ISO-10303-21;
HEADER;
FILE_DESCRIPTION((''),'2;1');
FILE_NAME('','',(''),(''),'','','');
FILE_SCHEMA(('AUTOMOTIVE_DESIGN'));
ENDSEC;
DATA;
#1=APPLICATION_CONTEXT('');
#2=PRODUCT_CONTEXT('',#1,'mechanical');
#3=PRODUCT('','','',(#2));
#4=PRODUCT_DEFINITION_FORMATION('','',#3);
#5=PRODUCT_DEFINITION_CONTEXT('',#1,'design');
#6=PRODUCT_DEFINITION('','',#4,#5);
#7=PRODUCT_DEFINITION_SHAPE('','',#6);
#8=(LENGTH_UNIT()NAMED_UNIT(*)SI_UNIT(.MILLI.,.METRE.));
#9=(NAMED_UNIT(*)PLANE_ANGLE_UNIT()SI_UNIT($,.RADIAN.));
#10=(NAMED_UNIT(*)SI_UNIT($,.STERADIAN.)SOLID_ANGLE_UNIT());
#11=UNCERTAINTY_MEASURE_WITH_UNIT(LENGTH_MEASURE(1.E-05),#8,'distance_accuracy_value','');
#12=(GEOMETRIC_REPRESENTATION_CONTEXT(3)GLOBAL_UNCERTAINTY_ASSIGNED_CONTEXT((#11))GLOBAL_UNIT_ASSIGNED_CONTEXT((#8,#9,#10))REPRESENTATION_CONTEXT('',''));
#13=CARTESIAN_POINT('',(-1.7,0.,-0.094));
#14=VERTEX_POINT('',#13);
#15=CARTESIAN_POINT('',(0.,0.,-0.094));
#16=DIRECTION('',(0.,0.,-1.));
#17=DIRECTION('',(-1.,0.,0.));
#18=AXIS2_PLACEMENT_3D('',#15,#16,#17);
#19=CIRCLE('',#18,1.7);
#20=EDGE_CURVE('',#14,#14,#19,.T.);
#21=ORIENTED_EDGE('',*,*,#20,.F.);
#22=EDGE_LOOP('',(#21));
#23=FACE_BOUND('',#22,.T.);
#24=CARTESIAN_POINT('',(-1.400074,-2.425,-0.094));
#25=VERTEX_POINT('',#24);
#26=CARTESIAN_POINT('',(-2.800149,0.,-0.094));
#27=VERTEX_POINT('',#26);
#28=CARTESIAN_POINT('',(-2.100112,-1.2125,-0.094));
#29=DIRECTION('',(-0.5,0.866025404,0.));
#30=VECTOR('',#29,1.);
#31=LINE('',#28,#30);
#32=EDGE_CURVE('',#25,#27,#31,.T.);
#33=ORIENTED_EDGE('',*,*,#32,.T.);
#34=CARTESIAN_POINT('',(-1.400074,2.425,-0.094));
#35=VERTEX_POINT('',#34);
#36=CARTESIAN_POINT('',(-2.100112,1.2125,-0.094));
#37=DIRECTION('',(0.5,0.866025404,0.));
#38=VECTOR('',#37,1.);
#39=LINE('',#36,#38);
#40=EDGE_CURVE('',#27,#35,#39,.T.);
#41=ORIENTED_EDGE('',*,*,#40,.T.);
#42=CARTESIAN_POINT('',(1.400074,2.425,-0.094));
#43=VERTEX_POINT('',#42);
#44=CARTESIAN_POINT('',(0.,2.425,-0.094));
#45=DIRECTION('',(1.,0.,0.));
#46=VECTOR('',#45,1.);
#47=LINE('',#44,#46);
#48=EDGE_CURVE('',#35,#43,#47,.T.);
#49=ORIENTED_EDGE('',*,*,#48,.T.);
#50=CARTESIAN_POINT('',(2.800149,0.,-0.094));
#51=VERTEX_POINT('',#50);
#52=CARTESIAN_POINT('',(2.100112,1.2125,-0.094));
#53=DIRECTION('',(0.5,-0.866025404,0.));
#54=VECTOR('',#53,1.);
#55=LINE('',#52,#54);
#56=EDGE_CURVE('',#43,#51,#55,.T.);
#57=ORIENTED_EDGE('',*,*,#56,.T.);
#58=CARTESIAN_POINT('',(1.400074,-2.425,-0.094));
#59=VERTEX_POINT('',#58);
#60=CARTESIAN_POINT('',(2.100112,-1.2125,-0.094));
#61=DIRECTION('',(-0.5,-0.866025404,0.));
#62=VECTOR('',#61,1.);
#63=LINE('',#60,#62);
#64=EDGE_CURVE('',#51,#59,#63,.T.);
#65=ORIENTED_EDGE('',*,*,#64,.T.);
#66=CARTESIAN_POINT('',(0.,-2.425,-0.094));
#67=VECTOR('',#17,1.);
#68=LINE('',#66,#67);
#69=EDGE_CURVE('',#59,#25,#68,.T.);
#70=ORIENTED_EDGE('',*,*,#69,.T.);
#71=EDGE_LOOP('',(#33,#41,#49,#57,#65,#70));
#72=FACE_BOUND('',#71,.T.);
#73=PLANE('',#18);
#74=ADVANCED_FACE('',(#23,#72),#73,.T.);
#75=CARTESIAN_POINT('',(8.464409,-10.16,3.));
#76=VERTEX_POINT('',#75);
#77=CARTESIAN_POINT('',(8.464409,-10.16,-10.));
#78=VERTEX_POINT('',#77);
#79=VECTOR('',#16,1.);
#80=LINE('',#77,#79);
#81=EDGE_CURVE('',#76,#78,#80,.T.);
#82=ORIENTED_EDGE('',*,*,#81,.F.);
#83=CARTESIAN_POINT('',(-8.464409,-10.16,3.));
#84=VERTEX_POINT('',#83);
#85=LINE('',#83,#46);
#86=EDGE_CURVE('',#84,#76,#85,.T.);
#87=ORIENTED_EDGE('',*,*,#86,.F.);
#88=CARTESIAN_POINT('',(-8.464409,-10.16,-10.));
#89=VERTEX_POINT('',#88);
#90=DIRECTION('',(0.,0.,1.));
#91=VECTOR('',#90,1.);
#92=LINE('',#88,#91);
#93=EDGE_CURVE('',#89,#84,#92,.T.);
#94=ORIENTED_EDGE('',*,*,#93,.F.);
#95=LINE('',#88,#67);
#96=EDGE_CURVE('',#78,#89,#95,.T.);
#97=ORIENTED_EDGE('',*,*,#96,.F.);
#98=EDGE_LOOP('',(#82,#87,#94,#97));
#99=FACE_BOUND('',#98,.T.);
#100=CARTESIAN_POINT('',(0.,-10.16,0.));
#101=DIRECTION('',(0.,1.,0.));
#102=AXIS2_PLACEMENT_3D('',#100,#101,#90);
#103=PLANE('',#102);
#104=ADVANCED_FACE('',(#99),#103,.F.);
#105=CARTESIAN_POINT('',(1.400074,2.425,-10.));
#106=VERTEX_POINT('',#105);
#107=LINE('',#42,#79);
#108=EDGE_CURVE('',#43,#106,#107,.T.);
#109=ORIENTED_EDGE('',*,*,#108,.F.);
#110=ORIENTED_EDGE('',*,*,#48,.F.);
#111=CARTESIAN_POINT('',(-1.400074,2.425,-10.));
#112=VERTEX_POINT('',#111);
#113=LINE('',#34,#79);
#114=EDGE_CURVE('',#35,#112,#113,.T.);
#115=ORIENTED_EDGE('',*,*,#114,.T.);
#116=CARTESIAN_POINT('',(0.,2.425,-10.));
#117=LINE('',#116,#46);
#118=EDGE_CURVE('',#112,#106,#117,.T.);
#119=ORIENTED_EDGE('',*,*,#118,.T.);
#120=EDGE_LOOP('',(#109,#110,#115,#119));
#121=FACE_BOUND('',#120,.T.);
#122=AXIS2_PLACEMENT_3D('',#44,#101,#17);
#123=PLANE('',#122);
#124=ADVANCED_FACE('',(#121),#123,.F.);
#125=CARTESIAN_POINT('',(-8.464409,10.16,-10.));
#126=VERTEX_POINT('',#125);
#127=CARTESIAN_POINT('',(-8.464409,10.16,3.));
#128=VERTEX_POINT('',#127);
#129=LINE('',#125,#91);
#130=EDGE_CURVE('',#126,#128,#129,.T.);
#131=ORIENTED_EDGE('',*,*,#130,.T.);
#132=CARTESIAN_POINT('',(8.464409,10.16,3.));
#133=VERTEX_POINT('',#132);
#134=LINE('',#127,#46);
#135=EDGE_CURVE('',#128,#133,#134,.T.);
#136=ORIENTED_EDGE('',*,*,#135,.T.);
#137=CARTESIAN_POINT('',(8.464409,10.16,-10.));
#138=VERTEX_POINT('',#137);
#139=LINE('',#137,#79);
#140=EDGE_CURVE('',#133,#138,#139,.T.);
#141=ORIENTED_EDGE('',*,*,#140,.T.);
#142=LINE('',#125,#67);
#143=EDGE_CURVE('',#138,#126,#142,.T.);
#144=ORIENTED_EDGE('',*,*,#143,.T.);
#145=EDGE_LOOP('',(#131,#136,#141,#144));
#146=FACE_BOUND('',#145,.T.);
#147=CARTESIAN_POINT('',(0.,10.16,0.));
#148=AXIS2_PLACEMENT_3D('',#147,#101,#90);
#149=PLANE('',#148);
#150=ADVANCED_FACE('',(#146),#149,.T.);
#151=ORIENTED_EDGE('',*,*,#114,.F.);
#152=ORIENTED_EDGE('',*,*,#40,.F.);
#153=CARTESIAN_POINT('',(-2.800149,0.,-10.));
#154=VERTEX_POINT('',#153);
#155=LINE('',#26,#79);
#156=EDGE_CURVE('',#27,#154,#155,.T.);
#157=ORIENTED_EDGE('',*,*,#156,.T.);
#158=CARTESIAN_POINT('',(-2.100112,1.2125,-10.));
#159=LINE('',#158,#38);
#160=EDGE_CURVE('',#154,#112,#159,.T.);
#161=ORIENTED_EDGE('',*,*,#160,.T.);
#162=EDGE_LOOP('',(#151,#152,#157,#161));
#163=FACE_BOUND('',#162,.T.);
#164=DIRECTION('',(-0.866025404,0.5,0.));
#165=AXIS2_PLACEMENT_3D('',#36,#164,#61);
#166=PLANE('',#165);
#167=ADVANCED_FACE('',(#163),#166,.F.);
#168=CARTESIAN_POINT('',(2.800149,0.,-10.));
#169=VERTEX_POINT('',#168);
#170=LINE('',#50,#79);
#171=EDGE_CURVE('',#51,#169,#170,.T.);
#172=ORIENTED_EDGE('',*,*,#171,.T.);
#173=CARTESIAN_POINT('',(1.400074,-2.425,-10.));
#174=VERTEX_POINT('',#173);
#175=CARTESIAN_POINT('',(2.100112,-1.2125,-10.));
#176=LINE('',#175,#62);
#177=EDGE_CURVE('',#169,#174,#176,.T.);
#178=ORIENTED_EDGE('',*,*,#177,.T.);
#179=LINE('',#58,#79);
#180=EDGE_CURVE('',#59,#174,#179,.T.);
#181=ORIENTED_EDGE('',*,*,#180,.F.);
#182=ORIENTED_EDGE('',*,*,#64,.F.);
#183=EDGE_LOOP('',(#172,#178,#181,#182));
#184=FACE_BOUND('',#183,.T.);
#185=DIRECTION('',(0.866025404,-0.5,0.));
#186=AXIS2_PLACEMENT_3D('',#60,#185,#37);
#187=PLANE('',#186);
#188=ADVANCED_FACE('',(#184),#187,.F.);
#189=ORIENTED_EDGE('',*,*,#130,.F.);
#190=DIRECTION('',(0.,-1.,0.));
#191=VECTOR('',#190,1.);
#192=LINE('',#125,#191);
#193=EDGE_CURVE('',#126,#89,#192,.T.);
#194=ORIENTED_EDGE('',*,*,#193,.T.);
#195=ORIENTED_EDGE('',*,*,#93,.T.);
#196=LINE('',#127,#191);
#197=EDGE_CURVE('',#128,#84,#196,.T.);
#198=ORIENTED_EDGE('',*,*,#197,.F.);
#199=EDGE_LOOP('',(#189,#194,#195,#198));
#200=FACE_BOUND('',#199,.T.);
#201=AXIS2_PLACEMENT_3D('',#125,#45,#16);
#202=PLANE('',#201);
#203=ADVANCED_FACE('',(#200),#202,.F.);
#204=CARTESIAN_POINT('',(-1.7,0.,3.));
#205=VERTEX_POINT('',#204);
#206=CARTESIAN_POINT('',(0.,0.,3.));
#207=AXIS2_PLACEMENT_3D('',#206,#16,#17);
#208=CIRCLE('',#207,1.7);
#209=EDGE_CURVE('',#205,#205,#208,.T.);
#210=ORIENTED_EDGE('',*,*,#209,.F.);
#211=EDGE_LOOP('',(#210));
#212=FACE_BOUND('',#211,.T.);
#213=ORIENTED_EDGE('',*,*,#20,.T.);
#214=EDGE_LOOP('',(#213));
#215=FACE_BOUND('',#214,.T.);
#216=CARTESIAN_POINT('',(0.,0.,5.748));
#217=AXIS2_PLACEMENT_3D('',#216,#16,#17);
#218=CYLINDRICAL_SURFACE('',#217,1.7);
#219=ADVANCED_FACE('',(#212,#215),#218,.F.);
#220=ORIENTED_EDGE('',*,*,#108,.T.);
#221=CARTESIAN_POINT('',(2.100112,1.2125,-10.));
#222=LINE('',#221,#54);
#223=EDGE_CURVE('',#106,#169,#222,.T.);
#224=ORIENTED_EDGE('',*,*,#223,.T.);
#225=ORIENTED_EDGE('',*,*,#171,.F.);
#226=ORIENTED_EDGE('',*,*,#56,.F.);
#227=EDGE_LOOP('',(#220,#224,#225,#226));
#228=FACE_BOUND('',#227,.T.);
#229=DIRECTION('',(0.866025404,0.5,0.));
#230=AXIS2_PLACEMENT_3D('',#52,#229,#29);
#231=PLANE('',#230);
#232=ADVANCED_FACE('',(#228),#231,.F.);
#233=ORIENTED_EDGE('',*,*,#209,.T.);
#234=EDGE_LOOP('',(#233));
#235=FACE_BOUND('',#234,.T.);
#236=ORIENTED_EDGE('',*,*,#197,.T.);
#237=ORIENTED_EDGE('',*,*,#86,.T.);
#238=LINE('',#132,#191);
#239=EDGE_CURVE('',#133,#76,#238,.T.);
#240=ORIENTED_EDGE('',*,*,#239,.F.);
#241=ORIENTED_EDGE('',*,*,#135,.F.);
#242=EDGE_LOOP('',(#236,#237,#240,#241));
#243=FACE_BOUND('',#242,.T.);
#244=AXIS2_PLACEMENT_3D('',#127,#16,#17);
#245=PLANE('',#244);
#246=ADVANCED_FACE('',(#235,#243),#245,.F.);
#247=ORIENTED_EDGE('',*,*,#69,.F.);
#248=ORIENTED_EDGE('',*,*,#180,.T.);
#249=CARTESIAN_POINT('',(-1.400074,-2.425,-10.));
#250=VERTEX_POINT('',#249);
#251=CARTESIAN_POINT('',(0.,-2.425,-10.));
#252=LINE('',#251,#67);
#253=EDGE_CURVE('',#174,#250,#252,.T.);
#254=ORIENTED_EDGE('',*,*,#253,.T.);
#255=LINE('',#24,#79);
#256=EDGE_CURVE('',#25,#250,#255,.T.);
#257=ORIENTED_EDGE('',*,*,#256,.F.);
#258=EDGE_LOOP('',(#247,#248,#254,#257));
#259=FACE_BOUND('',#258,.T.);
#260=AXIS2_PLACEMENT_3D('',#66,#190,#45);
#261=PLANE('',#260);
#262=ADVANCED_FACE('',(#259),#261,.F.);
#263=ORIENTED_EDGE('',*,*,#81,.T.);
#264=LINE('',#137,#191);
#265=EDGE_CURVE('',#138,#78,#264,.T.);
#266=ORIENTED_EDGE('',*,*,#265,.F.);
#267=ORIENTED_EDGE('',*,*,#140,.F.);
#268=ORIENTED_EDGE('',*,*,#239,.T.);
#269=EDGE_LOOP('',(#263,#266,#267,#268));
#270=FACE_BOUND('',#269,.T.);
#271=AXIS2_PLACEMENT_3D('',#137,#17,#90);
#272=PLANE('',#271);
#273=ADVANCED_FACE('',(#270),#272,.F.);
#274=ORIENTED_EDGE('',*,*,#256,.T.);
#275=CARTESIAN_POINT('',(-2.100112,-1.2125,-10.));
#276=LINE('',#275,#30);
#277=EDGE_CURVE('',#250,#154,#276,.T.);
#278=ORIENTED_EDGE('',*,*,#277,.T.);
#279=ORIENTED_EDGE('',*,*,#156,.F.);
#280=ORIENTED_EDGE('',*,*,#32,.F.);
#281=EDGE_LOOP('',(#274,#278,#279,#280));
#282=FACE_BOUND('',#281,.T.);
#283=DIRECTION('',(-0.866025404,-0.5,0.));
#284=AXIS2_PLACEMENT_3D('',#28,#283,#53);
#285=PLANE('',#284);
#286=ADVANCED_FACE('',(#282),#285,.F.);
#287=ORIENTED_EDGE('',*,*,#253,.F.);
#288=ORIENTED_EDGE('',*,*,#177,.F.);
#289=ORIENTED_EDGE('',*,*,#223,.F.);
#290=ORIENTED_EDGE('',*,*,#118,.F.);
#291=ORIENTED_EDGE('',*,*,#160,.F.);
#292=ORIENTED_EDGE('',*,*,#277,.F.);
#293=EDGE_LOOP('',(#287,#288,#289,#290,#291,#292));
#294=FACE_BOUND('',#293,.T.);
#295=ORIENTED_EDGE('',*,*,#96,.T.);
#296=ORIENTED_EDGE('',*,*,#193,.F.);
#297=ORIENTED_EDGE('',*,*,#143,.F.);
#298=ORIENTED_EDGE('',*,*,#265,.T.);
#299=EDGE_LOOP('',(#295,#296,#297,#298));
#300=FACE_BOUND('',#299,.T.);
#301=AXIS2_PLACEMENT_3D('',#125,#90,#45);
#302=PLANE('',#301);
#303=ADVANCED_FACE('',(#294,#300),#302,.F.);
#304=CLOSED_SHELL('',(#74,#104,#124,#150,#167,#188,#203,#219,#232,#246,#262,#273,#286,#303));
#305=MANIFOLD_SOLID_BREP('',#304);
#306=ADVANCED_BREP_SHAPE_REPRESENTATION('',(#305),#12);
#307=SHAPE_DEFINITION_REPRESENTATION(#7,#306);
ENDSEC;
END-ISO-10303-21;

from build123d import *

# Parameters (mm, degrees)
SKETCH1_W           = 16.9288177
SKETCH1_H           = 13
BOSS_EXTRUDE1_DEPTH = 10.16
SKETCH2_R           = 1.7
CUT_EXTRUDE1_DEPTH  = 9.906
SKETCH2_3_R         = 1.7
CUT_EXTRUDE2_DEPTH  = 15.748


with BuildPart() as part:
    # Sketch1 → Boss-Extrude1 (new, symmetric)
    with BuildSketch(Plane(origin=(0, 0, 0), x_dir=(1, 0, 0), z_dir=(0, 1, 0))):
        with Locations((0, 3.5)):
            Rectangle(SKETCH1_W, SKETCH1_H)
    extrude(amount=BOSS_EXTRUDE1_DEPTH, both=True)

    # Sketch2 → Cut-Extrude1 (cut)
    with BuildSketch(Plane(origin=(0, 0, -10), x_dir=(-1, 0, 0), z_dir=(0, 0, -1))):
        Polygon((1.400074403, -2.425), (2.800148806, 0), (1.400074403, 2.425), (-1.400074403, 2.425), (-2.800148806, 0), (-1.400074403, -2.425), align=None)
        Circle(SKETCH2_R, mode=Mode.SUBTRACT)
    extrude(amount=-CUT_EXTRUDE1_DEPTH, mode=Mode.SUBTRACT)

    # Sketch2<3> → Cut-Extrude2 (cut)
    with BuildSketch(Plane(origin=(0, 0, -10), x_dir=(-1, 0, 0), z_dir=(0, 0, -1))):
        Circle(SKETCH2_3_R)
    extrude(amount=-CUT_EXTRUDE2_DEPTH, mode=Mode.SUBTRACT)


solid = part.part
